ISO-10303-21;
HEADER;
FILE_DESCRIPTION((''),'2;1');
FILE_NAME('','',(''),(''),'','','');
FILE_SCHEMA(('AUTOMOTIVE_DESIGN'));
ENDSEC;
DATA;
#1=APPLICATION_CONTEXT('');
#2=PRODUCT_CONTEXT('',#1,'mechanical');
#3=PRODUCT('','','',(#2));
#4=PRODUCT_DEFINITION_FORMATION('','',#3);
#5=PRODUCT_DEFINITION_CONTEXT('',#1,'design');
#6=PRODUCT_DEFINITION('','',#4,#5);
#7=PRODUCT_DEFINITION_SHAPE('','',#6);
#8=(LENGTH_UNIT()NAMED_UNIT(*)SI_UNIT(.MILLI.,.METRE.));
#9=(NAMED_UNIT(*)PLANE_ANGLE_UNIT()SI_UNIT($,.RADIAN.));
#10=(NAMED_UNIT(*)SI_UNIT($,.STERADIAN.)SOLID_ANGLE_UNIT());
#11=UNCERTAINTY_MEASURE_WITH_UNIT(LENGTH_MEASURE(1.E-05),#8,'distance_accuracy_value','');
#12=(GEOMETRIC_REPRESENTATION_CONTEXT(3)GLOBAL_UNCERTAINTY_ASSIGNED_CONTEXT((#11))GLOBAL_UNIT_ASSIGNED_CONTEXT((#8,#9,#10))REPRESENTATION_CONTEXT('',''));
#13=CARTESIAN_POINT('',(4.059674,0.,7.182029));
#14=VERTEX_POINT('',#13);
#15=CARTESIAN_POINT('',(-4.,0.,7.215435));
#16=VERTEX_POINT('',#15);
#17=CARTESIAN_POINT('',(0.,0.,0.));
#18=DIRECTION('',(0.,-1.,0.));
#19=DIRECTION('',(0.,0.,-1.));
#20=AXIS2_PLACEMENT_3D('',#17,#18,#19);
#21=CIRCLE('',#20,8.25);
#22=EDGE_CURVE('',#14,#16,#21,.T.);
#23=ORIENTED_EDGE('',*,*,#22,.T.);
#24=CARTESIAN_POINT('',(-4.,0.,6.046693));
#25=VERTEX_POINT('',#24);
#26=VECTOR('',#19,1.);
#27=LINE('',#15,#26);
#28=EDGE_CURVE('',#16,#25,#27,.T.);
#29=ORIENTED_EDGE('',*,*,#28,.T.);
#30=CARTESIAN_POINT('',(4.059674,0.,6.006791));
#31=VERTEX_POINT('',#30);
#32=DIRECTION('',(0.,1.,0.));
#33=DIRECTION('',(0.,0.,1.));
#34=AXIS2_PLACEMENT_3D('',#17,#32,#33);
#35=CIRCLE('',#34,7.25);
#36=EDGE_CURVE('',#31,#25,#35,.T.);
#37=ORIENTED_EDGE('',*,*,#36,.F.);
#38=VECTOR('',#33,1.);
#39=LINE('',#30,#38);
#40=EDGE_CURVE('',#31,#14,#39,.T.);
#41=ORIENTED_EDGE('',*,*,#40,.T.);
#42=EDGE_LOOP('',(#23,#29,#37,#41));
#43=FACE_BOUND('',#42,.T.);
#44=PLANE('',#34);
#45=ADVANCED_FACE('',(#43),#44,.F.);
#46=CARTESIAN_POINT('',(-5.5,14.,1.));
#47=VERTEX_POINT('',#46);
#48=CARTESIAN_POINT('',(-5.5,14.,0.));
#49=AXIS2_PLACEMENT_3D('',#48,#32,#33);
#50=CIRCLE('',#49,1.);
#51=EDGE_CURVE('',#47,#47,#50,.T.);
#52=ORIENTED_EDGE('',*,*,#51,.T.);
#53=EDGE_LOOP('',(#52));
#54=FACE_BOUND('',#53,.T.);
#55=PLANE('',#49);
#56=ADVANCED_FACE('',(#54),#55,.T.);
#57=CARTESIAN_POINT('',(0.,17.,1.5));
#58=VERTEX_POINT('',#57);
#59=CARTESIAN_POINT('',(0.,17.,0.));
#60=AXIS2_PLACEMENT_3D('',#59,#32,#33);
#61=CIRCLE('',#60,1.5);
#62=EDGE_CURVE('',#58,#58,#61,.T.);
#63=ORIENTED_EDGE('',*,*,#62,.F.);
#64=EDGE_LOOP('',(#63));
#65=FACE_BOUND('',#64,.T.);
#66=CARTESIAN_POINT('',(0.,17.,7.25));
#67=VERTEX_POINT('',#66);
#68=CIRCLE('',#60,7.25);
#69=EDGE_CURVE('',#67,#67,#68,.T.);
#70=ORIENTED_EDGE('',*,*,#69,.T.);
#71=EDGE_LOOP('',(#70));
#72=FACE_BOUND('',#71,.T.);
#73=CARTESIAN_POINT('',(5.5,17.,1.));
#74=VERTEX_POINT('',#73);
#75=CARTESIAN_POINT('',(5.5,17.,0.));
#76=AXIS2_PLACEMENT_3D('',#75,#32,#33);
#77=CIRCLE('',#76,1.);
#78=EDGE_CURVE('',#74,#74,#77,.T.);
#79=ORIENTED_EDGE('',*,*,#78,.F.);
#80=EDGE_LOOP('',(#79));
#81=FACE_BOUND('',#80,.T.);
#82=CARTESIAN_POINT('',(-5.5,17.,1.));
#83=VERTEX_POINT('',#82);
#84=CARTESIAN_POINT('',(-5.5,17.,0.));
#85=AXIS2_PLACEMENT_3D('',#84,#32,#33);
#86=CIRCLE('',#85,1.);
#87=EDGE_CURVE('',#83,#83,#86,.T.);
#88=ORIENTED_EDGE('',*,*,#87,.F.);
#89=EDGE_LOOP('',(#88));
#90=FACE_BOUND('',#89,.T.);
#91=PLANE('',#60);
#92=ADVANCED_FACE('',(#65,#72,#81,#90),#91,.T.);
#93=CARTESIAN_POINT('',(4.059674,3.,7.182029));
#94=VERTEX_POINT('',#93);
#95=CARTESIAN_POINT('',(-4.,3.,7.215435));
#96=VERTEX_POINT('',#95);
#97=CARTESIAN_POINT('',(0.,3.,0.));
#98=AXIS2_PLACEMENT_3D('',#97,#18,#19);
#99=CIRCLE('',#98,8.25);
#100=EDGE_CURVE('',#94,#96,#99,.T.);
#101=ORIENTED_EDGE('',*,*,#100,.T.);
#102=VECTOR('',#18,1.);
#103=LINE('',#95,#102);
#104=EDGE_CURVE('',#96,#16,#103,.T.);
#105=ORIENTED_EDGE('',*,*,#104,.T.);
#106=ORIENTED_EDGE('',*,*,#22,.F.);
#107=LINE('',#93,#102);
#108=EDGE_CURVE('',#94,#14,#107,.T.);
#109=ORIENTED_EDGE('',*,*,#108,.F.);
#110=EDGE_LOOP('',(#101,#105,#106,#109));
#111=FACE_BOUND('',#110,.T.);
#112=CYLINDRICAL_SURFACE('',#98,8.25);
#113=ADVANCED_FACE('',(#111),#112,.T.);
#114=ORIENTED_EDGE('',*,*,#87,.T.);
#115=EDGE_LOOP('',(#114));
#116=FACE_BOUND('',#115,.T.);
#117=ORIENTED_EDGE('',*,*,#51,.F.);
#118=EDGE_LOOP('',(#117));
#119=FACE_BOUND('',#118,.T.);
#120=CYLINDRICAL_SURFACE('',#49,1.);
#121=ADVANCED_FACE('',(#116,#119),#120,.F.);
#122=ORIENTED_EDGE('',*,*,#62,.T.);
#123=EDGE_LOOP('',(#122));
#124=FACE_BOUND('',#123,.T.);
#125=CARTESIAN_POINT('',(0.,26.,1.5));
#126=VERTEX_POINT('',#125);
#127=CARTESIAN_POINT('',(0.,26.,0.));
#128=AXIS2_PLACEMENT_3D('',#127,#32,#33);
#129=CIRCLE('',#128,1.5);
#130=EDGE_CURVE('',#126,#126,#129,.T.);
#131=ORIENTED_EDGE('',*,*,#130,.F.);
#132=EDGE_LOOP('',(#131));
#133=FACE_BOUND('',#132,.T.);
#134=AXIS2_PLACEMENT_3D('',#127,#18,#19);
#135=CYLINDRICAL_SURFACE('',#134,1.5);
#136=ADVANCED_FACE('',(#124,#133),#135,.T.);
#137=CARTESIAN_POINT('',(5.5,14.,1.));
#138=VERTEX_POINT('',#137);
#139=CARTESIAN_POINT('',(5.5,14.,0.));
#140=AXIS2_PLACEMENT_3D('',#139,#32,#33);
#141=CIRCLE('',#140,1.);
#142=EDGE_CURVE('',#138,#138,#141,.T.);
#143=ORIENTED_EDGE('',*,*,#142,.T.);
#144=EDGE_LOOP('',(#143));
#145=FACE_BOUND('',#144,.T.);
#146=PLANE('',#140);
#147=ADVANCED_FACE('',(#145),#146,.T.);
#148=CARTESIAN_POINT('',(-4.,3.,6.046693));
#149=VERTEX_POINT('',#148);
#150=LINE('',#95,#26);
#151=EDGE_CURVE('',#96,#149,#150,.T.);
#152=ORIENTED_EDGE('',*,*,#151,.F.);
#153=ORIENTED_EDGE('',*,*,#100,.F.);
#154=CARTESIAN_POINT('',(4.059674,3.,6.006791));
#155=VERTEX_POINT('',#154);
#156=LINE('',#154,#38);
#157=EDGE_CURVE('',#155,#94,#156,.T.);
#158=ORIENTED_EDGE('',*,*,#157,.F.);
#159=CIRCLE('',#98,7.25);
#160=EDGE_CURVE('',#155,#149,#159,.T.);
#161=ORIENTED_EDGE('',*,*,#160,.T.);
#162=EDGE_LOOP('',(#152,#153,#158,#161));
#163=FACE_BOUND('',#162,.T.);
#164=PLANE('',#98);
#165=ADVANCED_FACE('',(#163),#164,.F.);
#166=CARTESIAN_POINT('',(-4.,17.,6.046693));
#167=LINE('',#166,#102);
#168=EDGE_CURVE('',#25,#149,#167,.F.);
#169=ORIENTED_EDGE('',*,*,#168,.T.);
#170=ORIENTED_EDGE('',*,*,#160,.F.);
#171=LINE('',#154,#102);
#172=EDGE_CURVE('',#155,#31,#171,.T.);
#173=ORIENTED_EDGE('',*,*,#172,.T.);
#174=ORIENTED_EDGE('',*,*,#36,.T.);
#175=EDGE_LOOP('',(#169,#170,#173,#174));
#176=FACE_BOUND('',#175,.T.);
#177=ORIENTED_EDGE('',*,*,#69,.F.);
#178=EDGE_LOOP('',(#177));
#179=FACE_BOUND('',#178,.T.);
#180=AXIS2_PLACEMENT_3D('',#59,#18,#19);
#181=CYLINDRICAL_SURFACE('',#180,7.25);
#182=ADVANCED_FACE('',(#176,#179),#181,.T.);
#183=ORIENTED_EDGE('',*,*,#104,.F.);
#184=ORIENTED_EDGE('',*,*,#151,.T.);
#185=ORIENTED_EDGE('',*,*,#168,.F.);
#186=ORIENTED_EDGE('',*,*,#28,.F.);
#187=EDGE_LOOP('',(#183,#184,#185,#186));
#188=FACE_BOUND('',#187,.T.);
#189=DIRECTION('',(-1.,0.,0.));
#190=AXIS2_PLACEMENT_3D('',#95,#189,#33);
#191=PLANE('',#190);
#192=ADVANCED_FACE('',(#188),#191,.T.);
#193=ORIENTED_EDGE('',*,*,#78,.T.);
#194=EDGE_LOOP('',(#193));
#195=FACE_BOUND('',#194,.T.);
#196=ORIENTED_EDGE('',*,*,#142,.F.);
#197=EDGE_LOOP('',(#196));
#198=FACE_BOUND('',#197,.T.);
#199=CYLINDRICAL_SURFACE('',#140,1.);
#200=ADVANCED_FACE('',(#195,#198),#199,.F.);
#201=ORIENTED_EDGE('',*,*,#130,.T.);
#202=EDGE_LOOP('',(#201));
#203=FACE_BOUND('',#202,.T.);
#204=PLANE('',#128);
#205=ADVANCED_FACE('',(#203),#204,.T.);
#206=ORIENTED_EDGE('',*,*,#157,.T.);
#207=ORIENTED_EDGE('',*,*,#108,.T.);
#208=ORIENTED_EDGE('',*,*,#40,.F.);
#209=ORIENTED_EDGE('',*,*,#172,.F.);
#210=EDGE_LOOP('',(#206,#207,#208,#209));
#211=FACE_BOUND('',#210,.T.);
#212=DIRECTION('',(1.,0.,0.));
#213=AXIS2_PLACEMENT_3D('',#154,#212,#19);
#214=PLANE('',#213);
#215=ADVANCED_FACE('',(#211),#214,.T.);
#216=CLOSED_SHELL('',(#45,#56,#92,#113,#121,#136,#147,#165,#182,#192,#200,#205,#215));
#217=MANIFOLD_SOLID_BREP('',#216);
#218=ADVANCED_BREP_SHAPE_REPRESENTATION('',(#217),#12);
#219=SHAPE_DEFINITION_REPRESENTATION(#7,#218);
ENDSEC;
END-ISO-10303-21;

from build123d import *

# Parameters (mm, degrees)
SKETCH_1_R          = 7.25
EXTRUDE_1_DEPTH     = 17
SKETCH_2_R          = 1.5
EXTRUDE_2_DEPTH     = 9
EXTRUDE_3_DEPTH     = 3
SKETCH_4_R          = 1
CUT_EXTRUDE_1_DEPTH = 3


with BuildPart() as part:
    # 草图1 → 凸台-拉伸1 (new body)
    with BuildSketch(Plane(origin=(0, 0, 0), x_dir=(1, 0, 0), z_dir=(0, 1, 0))):
        with Locations(Location((0, 0, 0), (0, 0, 270))):
            Circle(SKETCH_1_R)
    extrude(amount=EXTRUDE_1_DEPTH)

    # 草图2 → 凸台-拉伸2 (add)
    with BuildSketch(Plane(origin=(0, 17, 0), x_dir=(1, 0, 0), z_dir=(0, 1, 0))):
        with Locations(Location((0, 0, 0), (0, 0, 270))):
            Circle(SKETCH_2_R)
    extrude(amount=EXTRUDE_2_DEPTH)

    # 草图3 → 凸台-拉伸3 (add)
    with BuildSketch(Plane.XZ):
        with BuildLine():
            Line((-4, 7.215434845), (-4, 6.006791496))
            Line((-4, 6.006791496), (4.059674361, 6.006791496))
            Line((4.059674361, 6.006791496), (4.059674361, 7.182029245))
            ThreePointArc((4.059674361, 7.182029245), (0.034194164, 8.249929137), (-4, 7.215434845))
        make_face()
    extrude(amount=-EXTRUDE_3_DEPTH)

    # 草图4 → 切除-拉伸1 (cut)
    with BuildSketch(Plane(origin=(0, 17, 0), x_dir=(1, 0, 0), z_dir=(0, 1, 0))):
        with Locations(Location((5.5, 0, 0), (0, 0, 270))):
            Circle(SKETCH_4_R)
        with Locations(Location((-5.5, 0, 0), (0, 0, 270))):
            Circle(SKETCH_4_R)
    extrude(amount=-CUT_EXTRUDE_1_DEPTH, mode=Mode.SUBTRACT)


solid = part.part
